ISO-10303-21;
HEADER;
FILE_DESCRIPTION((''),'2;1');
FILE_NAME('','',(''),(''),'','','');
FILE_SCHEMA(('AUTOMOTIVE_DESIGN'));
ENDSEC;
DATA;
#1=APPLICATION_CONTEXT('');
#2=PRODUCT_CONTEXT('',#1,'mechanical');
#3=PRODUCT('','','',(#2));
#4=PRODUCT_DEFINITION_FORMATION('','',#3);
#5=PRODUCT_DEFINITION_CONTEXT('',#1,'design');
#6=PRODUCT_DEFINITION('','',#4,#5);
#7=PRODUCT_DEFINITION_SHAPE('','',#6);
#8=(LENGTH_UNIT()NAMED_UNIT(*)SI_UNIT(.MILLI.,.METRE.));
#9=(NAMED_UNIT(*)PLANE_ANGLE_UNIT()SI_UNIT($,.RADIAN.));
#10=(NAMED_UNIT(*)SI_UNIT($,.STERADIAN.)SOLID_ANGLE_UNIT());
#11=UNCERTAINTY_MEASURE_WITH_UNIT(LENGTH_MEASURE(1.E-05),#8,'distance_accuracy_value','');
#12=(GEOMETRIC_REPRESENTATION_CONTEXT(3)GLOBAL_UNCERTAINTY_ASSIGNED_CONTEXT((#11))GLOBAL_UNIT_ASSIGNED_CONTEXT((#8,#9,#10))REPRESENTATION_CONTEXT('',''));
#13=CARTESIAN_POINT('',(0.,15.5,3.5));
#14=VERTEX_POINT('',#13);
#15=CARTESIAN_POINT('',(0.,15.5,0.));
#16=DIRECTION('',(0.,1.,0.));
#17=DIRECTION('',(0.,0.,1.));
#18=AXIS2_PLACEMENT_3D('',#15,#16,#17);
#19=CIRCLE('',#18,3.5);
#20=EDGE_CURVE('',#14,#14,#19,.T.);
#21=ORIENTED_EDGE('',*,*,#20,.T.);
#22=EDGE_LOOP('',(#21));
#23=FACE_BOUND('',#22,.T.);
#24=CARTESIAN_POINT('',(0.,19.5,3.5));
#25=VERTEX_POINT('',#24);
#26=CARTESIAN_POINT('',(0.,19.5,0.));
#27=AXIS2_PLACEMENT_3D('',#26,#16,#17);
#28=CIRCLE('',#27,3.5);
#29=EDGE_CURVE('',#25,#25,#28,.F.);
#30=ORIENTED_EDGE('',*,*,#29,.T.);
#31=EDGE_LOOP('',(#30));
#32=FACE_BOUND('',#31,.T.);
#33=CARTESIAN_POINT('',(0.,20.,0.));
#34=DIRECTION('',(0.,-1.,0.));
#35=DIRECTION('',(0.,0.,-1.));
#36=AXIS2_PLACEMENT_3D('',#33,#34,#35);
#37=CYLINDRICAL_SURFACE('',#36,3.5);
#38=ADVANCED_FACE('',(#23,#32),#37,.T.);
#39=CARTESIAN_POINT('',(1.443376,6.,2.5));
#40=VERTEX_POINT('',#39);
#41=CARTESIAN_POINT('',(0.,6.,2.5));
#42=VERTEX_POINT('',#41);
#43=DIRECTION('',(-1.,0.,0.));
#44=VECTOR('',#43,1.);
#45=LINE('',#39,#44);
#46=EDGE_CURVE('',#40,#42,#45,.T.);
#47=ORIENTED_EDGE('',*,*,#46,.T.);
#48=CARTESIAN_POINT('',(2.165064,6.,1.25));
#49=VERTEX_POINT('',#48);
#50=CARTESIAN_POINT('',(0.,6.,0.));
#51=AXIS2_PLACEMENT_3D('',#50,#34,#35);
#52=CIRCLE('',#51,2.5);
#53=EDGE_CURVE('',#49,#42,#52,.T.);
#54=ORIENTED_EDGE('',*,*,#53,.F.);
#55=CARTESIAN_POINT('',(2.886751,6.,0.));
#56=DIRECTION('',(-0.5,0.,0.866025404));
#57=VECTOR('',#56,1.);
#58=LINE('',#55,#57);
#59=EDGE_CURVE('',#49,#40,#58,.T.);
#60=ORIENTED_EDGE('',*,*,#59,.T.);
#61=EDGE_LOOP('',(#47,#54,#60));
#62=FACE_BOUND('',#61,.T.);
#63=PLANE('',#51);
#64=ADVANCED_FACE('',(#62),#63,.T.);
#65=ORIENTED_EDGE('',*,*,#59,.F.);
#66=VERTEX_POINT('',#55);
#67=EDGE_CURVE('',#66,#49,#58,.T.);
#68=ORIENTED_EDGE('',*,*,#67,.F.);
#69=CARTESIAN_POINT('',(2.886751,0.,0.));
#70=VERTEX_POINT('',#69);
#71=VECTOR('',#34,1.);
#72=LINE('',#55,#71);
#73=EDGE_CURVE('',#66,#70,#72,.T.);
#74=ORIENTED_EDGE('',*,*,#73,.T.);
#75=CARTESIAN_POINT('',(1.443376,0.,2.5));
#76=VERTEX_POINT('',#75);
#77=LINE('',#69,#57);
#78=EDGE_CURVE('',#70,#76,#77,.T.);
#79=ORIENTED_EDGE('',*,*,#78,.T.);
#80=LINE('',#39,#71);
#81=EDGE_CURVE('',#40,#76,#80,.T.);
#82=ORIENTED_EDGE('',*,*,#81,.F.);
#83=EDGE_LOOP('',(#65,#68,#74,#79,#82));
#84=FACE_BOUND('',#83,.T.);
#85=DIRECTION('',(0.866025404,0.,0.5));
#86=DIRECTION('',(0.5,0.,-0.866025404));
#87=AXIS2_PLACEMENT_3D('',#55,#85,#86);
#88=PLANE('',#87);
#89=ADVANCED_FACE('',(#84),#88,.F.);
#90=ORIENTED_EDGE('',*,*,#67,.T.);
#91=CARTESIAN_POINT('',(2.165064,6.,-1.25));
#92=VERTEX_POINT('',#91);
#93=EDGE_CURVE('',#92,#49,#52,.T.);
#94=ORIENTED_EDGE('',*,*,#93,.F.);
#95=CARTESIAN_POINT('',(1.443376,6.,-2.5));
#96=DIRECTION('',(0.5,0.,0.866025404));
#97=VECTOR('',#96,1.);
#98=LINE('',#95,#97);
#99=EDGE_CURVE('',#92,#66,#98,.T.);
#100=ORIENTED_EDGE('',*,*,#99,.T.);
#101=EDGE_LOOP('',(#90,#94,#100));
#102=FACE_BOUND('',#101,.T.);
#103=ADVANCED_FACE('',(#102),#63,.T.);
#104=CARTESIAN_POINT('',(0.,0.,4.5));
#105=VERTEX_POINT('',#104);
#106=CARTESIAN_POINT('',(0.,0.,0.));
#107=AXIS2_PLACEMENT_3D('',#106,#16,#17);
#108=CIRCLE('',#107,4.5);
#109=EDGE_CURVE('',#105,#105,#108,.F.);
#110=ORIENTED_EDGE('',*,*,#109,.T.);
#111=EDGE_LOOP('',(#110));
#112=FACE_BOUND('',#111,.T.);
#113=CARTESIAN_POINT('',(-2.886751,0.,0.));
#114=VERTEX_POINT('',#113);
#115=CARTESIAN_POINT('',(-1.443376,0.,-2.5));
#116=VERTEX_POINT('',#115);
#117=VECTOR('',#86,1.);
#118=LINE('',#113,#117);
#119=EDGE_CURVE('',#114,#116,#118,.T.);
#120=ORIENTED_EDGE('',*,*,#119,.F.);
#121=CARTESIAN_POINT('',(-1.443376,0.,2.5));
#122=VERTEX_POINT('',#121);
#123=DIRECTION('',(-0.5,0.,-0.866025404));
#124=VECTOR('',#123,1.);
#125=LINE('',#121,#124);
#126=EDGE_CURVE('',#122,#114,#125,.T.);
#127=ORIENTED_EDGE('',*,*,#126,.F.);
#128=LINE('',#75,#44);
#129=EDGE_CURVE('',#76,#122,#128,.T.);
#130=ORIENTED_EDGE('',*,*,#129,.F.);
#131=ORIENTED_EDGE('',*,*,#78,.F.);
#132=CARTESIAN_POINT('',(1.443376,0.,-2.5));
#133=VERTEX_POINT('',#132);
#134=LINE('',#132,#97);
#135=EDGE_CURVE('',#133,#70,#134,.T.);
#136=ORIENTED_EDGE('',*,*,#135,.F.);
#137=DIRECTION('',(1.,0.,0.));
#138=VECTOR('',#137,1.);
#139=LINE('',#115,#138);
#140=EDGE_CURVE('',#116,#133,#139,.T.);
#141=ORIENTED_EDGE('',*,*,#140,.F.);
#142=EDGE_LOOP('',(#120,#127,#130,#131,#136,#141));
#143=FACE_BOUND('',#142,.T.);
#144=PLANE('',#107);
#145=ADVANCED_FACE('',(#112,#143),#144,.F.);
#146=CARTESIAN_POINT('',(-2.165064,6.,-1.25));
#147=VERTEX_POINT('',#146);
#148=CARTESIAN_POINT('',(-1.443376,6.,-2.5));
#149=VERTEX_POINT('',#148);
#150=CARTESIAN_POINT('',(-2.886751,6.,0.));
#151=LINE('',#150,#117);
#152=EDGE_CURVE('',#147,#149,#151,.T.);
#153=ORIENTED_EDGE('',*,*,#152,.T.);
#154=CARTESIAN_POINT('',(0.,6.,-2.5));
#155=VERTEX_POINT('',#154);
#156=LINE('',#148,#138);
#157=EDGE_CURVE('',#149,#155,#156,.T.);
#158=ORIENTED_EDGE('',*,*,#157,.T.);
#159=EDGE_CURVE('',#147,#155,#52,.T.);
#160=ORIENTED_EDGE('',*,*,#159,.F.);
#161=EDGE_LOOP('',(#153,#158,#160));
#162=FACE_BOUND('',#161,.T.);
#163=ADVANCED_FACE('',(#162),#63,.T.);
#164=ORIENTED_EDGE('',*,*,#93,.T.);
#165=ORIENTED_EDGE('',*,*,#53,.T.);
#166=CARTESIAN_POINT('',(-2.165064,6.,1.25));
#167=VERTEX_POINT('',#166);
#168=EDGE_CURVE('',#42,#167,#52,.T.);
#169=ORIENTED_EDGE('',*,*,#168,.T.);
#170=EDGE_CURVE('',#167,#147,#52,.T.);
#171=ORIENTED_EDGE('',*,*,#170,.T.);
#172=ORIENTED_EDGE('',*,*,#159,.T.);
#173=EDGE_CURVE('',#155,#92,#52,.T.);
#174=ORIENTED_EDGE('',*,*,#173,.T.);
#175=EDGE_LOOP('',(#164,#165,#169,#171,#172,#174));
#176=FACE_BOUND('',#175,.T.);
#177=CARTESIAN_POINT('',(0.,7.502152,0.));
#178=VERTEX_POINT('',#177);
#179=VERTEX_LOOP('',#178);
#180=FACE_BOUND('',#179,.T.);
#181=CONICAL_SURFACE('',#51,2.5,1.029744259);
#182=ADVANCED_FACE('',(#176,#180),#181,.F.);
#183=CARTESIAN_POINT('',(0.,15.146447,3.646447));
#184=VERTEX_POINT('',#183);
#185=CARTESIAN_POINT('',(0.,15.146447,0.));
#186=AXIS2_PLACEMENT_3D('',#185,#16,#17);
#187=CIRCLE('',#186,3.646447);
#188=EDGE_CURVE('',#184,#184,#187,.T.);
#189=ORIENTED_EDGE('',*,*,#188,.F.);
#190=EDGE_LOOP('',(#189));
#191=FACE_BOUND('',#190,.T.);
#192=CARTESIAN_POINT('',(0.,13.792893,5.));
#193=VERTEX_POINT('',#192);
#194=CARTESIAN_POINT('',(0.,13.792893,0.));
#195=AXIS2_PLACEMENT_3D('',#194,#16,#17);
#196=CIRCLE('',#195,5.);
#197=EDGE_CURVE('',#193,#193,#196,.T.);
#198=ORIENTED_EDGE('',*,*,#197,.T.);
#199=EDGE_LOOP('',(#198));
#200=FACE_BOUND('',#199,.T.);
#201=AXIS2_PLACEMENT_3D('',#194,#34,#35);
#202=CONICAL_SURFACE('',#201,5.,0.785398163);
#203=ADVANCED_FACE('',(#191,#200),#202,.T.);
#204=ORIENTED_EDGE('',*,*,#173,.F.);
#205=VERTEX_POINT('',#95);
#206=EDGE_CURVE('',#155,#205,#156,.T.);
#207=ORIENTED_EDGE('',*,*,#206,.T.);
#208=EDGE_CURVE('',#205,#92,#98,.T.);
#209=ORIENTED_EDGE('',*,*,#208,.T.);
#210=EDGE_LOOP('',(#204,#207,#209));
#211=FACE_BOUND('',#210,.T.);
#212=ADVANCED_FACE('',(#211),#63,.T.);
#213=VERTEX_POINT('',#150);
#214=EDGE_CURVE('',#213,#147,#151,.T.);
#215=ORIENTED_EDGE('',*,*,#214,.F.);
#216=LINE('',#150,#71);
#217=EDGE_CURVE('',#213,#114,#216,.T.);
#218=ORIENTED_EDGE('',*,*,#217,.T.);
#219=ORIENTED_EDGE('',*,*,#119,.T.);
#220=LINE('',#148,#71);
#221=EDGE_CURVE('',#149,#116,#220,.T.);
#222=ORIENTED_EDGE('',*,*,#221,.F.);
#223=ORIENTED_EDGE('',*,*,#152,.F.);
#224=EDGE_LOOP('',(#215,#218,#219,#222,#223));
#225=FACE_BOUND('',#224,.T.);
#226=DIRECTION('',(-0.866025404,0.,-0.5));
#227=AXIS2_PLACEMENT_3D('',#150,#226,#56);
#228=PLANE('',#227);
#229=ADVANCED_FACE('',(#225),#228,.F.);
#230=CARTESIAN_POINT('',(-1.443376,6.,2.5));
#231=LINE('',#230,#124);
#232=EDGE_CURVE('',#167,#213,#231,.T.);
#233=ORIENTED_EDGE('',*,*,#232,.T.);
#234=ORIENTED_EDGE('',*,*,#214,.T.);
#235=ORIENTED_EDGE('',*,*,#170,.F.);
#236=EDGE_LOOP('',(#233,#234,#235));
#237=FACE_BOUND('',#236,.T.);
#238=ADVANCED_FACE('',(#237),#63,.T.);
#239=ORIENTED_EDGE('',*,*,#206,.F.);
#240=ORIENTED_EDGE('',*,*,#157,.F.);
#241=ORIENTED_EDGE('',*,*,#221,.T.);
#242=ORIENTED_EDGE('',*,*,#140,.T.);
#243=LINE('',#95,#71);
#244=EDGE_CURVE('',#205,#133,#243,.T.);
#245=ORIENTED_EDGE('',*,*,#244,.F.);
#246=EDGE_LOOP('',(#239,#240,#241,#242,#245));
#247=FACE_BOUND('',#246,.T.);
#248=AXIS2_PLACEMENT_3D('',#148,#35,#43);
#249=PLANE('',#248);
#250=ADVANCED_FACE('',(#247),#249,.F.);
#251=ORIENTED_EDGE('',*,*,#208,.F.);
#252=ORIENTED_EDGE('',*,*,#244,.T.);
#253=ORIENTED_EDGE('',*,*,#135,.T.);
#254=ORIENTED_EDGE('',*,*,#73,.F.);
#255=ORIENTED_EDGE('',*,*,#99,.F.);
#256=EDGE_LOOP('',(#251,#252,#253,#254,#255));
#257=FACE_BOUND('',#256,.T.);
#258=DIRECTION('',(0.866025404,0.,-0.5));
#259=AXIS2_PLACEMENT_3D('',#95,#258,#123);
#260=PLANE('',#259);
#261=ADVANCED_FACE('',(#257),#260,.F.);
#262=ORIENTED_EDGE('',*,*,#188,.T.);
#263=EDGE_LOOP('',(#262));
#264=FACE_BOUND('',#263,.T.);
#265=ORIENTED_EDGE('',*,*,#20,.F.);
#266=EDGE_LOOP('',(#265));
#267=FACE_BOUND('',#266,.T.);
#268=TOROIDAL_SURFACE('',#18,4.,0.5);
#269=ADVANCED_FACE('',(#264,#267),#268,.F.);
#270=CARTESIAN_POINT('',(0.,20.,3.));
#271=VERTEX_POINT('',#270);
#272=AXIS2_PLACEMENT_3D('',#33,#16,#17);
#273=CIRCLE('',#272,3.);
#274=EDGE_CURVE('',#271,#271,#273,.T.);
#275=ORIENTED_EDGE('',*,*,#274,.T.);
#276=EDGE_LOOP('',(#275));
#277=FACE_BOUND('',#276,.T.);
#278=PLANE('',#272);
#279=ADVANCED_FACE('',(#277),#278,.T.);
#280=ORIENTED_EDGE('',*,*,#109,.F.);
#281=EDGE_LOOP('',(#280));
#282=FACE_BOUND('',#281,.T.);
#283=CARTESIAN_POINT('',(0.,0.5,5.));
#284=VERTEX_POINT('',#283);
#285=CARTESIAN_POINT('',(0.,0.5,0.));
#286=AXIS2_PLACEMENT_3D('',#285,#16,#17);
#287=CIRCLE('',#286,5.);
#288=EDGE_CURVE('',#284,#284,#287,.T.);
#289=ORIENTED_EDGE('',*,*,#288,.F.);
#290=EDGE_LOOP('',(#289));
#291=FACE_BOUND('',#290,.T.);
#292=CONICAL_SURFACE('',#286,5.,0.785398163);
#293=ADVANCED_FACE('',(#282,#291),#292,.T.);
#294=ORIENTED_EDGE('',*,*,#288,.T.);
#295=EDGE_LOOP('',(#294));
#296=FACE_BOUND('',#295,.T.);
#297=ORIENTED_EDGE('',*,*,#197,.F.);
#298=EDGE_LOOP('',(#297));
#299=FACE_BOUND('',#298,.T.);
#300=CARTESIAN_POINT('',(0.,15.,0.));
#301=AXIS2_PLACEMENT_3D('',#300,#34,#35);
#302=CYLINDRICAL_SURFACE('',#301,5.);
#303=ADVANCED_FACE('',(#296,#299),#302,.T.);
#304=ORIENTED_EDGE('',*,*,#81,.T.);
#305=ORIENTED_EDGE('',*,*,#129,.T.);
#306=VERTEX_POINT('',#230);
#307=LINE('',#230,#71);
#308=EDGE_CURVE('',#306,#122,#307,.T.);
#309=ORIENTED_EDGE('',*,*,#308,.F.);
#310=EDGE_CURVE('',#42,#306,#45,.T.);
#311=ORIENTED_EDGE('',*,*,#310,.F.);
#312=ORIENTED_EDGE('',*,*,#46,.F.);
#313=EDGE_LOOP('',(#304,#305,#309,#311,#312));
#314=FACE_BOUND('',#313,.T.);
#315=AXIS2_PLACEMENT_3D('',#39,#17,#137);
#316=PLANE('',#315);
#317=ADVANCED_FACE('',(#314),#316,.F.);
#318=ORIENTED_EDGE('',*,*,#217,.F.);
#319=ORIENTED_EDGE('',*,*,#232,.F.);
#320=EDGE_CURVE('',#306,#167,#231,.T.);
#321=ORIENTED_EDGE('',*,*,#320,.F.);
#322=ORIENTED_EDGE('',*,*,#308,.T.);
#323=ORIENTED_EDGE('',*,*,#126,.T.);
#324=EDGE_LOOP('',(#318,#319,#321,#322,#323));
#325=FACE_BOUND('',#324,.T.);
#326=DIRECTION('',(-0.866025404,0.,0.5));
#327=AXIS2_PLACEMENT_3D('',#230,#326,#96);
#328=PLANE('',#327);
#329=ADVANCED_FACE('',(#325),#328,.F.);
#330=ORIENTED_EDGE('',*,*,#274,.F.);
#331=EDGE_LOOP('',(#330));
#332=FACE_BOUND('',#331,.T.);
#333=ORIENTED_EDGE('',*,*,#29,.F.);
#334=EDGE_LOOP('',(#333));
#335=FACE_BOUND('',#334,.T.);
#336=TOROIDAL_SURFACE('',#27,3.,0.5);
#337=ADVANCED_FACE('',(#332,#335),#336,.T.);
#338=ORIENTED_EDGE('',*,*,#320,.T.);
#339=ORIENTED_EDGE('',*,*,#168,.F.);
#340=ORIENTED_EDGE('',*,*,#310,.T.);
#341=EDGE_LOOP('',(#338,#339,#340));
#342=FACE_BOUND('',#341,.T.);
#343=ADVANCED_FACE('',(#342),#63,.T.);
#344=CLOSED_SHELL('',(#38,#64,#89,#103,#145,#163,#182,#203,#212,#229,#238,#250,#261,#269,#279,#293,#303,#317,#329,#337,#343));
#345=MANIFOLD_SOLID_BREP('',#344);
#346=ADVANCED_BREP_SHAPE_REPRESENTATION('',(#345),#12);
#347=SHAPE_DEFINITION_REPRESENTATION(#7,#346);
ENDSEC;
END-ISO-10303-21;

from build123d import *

# Parameters (mm, degrees)
SKETCH1_R                 = 5
BOSS_EXTRUDE1_DEPTH       = 15
SKETCH2_R                 = 3.5
BOSS_EXTRUDE2_DEPTH       = 5
FILLET1_R                 = 0.5
F_5_0MM_DOWEL_HOLE2_D     = 5
F_5_0MM_DOWEL_HOLE2_DEPTH = 6
F_5_0MM_DOWEL_HOLE2_TIP   = 1.502151548
CUT_EXTRUDE1_DEPTH        = 6
CHAMFER1_SIZE             = 0.5


with BuildPart() as part:
    # Sketch1 → Boss-Extrude1 (new body)
    with BuildSketch(Plane(origin=(0, 0, 0), x_dir=(1, 0, 0), z_dir=(0, 1, 0))):
        Circle(SKETCH1_R)
    extrude(amount=BOSS_EXTRUDE1_DEPTH)

    # Sketch2 → Boss-Extrude2 (add)
    with BuildSketch(Plane(origin=(0, 15, 0), x_dir=(1, 0, 0), z_dir=(0, 1, 0))):
        Circle(SKETCH2_R)
    extrude(amount=BOSS_EXTRUDE2_DEPTH)

    # Fillet1
    fillet1_edges = [part.edges().sort_by_distance(p)[0] for p in [
        (-3.5, 15, 0),
        (-3.5, 20, 0),
    ]]
    fillet(fillet1_edges, radius=FILLET1_R)

    # Sketch3 → Cut-Revolve1 (revolve, cut)
    with BuildSketch(Plane.XY):
        Polygon((-5, 13.792893219), (-3.646446609, 15.146446609), (-5, 15), align=None)
    revolve(axis=Axis((0, 20, 0), (0, -1, 0)), mode=Mode.SUBTRACT)

    # Ø5.0mm Dowel Hole2
    with Locations(Plane(origin=(0, 0, 0), x_dir=(-1, 0, 0), z_dir=(0, -1, 0))):
        with Locations((0, 0)):
            Hole(F_5_0MM_DOWEL_HOLE2_D / 2, depth=F_5_0MM_DOWEL_HOLE2_DEPTH)
            with Locations((0, 0, -(F_5_0MM_DOWEL_HOLE2_DEPTH + F_5_0MM_DOWEL_HOLE2_TIP / 2))):  # 118° drill point
                Cone(0, F_5_0MM_DOWEL_HOLE2_D / 2, F_5_0MM_DOWEL_HOLE2_TIP, mode=Mode.SUBTRACT)

    # Sketch4 → Cut-Extrude1 (cut)
    with BuildSketch(Plane.XZ):
        Polygon((2.886751346, 0), (1.443375673, 2.5), (-1.443375673, 2.5), (-2.886751346, 0), (-1.443375673, -2.5), (1.443375673, -2.5), align=None)
    extrude(amount=-CUT_EXTRUDE1_DEPTH, mode=Mode.SUBTRACT)

    # Chamfer1
    chamfer1_edges = [part.edges().sort_by_distance(p)[0] for p in [
        (-5, 0, 0),
    ]]
    chamfer(chamfer1_edges, length=CHAMFER1_SIZE)


solid = part.part
